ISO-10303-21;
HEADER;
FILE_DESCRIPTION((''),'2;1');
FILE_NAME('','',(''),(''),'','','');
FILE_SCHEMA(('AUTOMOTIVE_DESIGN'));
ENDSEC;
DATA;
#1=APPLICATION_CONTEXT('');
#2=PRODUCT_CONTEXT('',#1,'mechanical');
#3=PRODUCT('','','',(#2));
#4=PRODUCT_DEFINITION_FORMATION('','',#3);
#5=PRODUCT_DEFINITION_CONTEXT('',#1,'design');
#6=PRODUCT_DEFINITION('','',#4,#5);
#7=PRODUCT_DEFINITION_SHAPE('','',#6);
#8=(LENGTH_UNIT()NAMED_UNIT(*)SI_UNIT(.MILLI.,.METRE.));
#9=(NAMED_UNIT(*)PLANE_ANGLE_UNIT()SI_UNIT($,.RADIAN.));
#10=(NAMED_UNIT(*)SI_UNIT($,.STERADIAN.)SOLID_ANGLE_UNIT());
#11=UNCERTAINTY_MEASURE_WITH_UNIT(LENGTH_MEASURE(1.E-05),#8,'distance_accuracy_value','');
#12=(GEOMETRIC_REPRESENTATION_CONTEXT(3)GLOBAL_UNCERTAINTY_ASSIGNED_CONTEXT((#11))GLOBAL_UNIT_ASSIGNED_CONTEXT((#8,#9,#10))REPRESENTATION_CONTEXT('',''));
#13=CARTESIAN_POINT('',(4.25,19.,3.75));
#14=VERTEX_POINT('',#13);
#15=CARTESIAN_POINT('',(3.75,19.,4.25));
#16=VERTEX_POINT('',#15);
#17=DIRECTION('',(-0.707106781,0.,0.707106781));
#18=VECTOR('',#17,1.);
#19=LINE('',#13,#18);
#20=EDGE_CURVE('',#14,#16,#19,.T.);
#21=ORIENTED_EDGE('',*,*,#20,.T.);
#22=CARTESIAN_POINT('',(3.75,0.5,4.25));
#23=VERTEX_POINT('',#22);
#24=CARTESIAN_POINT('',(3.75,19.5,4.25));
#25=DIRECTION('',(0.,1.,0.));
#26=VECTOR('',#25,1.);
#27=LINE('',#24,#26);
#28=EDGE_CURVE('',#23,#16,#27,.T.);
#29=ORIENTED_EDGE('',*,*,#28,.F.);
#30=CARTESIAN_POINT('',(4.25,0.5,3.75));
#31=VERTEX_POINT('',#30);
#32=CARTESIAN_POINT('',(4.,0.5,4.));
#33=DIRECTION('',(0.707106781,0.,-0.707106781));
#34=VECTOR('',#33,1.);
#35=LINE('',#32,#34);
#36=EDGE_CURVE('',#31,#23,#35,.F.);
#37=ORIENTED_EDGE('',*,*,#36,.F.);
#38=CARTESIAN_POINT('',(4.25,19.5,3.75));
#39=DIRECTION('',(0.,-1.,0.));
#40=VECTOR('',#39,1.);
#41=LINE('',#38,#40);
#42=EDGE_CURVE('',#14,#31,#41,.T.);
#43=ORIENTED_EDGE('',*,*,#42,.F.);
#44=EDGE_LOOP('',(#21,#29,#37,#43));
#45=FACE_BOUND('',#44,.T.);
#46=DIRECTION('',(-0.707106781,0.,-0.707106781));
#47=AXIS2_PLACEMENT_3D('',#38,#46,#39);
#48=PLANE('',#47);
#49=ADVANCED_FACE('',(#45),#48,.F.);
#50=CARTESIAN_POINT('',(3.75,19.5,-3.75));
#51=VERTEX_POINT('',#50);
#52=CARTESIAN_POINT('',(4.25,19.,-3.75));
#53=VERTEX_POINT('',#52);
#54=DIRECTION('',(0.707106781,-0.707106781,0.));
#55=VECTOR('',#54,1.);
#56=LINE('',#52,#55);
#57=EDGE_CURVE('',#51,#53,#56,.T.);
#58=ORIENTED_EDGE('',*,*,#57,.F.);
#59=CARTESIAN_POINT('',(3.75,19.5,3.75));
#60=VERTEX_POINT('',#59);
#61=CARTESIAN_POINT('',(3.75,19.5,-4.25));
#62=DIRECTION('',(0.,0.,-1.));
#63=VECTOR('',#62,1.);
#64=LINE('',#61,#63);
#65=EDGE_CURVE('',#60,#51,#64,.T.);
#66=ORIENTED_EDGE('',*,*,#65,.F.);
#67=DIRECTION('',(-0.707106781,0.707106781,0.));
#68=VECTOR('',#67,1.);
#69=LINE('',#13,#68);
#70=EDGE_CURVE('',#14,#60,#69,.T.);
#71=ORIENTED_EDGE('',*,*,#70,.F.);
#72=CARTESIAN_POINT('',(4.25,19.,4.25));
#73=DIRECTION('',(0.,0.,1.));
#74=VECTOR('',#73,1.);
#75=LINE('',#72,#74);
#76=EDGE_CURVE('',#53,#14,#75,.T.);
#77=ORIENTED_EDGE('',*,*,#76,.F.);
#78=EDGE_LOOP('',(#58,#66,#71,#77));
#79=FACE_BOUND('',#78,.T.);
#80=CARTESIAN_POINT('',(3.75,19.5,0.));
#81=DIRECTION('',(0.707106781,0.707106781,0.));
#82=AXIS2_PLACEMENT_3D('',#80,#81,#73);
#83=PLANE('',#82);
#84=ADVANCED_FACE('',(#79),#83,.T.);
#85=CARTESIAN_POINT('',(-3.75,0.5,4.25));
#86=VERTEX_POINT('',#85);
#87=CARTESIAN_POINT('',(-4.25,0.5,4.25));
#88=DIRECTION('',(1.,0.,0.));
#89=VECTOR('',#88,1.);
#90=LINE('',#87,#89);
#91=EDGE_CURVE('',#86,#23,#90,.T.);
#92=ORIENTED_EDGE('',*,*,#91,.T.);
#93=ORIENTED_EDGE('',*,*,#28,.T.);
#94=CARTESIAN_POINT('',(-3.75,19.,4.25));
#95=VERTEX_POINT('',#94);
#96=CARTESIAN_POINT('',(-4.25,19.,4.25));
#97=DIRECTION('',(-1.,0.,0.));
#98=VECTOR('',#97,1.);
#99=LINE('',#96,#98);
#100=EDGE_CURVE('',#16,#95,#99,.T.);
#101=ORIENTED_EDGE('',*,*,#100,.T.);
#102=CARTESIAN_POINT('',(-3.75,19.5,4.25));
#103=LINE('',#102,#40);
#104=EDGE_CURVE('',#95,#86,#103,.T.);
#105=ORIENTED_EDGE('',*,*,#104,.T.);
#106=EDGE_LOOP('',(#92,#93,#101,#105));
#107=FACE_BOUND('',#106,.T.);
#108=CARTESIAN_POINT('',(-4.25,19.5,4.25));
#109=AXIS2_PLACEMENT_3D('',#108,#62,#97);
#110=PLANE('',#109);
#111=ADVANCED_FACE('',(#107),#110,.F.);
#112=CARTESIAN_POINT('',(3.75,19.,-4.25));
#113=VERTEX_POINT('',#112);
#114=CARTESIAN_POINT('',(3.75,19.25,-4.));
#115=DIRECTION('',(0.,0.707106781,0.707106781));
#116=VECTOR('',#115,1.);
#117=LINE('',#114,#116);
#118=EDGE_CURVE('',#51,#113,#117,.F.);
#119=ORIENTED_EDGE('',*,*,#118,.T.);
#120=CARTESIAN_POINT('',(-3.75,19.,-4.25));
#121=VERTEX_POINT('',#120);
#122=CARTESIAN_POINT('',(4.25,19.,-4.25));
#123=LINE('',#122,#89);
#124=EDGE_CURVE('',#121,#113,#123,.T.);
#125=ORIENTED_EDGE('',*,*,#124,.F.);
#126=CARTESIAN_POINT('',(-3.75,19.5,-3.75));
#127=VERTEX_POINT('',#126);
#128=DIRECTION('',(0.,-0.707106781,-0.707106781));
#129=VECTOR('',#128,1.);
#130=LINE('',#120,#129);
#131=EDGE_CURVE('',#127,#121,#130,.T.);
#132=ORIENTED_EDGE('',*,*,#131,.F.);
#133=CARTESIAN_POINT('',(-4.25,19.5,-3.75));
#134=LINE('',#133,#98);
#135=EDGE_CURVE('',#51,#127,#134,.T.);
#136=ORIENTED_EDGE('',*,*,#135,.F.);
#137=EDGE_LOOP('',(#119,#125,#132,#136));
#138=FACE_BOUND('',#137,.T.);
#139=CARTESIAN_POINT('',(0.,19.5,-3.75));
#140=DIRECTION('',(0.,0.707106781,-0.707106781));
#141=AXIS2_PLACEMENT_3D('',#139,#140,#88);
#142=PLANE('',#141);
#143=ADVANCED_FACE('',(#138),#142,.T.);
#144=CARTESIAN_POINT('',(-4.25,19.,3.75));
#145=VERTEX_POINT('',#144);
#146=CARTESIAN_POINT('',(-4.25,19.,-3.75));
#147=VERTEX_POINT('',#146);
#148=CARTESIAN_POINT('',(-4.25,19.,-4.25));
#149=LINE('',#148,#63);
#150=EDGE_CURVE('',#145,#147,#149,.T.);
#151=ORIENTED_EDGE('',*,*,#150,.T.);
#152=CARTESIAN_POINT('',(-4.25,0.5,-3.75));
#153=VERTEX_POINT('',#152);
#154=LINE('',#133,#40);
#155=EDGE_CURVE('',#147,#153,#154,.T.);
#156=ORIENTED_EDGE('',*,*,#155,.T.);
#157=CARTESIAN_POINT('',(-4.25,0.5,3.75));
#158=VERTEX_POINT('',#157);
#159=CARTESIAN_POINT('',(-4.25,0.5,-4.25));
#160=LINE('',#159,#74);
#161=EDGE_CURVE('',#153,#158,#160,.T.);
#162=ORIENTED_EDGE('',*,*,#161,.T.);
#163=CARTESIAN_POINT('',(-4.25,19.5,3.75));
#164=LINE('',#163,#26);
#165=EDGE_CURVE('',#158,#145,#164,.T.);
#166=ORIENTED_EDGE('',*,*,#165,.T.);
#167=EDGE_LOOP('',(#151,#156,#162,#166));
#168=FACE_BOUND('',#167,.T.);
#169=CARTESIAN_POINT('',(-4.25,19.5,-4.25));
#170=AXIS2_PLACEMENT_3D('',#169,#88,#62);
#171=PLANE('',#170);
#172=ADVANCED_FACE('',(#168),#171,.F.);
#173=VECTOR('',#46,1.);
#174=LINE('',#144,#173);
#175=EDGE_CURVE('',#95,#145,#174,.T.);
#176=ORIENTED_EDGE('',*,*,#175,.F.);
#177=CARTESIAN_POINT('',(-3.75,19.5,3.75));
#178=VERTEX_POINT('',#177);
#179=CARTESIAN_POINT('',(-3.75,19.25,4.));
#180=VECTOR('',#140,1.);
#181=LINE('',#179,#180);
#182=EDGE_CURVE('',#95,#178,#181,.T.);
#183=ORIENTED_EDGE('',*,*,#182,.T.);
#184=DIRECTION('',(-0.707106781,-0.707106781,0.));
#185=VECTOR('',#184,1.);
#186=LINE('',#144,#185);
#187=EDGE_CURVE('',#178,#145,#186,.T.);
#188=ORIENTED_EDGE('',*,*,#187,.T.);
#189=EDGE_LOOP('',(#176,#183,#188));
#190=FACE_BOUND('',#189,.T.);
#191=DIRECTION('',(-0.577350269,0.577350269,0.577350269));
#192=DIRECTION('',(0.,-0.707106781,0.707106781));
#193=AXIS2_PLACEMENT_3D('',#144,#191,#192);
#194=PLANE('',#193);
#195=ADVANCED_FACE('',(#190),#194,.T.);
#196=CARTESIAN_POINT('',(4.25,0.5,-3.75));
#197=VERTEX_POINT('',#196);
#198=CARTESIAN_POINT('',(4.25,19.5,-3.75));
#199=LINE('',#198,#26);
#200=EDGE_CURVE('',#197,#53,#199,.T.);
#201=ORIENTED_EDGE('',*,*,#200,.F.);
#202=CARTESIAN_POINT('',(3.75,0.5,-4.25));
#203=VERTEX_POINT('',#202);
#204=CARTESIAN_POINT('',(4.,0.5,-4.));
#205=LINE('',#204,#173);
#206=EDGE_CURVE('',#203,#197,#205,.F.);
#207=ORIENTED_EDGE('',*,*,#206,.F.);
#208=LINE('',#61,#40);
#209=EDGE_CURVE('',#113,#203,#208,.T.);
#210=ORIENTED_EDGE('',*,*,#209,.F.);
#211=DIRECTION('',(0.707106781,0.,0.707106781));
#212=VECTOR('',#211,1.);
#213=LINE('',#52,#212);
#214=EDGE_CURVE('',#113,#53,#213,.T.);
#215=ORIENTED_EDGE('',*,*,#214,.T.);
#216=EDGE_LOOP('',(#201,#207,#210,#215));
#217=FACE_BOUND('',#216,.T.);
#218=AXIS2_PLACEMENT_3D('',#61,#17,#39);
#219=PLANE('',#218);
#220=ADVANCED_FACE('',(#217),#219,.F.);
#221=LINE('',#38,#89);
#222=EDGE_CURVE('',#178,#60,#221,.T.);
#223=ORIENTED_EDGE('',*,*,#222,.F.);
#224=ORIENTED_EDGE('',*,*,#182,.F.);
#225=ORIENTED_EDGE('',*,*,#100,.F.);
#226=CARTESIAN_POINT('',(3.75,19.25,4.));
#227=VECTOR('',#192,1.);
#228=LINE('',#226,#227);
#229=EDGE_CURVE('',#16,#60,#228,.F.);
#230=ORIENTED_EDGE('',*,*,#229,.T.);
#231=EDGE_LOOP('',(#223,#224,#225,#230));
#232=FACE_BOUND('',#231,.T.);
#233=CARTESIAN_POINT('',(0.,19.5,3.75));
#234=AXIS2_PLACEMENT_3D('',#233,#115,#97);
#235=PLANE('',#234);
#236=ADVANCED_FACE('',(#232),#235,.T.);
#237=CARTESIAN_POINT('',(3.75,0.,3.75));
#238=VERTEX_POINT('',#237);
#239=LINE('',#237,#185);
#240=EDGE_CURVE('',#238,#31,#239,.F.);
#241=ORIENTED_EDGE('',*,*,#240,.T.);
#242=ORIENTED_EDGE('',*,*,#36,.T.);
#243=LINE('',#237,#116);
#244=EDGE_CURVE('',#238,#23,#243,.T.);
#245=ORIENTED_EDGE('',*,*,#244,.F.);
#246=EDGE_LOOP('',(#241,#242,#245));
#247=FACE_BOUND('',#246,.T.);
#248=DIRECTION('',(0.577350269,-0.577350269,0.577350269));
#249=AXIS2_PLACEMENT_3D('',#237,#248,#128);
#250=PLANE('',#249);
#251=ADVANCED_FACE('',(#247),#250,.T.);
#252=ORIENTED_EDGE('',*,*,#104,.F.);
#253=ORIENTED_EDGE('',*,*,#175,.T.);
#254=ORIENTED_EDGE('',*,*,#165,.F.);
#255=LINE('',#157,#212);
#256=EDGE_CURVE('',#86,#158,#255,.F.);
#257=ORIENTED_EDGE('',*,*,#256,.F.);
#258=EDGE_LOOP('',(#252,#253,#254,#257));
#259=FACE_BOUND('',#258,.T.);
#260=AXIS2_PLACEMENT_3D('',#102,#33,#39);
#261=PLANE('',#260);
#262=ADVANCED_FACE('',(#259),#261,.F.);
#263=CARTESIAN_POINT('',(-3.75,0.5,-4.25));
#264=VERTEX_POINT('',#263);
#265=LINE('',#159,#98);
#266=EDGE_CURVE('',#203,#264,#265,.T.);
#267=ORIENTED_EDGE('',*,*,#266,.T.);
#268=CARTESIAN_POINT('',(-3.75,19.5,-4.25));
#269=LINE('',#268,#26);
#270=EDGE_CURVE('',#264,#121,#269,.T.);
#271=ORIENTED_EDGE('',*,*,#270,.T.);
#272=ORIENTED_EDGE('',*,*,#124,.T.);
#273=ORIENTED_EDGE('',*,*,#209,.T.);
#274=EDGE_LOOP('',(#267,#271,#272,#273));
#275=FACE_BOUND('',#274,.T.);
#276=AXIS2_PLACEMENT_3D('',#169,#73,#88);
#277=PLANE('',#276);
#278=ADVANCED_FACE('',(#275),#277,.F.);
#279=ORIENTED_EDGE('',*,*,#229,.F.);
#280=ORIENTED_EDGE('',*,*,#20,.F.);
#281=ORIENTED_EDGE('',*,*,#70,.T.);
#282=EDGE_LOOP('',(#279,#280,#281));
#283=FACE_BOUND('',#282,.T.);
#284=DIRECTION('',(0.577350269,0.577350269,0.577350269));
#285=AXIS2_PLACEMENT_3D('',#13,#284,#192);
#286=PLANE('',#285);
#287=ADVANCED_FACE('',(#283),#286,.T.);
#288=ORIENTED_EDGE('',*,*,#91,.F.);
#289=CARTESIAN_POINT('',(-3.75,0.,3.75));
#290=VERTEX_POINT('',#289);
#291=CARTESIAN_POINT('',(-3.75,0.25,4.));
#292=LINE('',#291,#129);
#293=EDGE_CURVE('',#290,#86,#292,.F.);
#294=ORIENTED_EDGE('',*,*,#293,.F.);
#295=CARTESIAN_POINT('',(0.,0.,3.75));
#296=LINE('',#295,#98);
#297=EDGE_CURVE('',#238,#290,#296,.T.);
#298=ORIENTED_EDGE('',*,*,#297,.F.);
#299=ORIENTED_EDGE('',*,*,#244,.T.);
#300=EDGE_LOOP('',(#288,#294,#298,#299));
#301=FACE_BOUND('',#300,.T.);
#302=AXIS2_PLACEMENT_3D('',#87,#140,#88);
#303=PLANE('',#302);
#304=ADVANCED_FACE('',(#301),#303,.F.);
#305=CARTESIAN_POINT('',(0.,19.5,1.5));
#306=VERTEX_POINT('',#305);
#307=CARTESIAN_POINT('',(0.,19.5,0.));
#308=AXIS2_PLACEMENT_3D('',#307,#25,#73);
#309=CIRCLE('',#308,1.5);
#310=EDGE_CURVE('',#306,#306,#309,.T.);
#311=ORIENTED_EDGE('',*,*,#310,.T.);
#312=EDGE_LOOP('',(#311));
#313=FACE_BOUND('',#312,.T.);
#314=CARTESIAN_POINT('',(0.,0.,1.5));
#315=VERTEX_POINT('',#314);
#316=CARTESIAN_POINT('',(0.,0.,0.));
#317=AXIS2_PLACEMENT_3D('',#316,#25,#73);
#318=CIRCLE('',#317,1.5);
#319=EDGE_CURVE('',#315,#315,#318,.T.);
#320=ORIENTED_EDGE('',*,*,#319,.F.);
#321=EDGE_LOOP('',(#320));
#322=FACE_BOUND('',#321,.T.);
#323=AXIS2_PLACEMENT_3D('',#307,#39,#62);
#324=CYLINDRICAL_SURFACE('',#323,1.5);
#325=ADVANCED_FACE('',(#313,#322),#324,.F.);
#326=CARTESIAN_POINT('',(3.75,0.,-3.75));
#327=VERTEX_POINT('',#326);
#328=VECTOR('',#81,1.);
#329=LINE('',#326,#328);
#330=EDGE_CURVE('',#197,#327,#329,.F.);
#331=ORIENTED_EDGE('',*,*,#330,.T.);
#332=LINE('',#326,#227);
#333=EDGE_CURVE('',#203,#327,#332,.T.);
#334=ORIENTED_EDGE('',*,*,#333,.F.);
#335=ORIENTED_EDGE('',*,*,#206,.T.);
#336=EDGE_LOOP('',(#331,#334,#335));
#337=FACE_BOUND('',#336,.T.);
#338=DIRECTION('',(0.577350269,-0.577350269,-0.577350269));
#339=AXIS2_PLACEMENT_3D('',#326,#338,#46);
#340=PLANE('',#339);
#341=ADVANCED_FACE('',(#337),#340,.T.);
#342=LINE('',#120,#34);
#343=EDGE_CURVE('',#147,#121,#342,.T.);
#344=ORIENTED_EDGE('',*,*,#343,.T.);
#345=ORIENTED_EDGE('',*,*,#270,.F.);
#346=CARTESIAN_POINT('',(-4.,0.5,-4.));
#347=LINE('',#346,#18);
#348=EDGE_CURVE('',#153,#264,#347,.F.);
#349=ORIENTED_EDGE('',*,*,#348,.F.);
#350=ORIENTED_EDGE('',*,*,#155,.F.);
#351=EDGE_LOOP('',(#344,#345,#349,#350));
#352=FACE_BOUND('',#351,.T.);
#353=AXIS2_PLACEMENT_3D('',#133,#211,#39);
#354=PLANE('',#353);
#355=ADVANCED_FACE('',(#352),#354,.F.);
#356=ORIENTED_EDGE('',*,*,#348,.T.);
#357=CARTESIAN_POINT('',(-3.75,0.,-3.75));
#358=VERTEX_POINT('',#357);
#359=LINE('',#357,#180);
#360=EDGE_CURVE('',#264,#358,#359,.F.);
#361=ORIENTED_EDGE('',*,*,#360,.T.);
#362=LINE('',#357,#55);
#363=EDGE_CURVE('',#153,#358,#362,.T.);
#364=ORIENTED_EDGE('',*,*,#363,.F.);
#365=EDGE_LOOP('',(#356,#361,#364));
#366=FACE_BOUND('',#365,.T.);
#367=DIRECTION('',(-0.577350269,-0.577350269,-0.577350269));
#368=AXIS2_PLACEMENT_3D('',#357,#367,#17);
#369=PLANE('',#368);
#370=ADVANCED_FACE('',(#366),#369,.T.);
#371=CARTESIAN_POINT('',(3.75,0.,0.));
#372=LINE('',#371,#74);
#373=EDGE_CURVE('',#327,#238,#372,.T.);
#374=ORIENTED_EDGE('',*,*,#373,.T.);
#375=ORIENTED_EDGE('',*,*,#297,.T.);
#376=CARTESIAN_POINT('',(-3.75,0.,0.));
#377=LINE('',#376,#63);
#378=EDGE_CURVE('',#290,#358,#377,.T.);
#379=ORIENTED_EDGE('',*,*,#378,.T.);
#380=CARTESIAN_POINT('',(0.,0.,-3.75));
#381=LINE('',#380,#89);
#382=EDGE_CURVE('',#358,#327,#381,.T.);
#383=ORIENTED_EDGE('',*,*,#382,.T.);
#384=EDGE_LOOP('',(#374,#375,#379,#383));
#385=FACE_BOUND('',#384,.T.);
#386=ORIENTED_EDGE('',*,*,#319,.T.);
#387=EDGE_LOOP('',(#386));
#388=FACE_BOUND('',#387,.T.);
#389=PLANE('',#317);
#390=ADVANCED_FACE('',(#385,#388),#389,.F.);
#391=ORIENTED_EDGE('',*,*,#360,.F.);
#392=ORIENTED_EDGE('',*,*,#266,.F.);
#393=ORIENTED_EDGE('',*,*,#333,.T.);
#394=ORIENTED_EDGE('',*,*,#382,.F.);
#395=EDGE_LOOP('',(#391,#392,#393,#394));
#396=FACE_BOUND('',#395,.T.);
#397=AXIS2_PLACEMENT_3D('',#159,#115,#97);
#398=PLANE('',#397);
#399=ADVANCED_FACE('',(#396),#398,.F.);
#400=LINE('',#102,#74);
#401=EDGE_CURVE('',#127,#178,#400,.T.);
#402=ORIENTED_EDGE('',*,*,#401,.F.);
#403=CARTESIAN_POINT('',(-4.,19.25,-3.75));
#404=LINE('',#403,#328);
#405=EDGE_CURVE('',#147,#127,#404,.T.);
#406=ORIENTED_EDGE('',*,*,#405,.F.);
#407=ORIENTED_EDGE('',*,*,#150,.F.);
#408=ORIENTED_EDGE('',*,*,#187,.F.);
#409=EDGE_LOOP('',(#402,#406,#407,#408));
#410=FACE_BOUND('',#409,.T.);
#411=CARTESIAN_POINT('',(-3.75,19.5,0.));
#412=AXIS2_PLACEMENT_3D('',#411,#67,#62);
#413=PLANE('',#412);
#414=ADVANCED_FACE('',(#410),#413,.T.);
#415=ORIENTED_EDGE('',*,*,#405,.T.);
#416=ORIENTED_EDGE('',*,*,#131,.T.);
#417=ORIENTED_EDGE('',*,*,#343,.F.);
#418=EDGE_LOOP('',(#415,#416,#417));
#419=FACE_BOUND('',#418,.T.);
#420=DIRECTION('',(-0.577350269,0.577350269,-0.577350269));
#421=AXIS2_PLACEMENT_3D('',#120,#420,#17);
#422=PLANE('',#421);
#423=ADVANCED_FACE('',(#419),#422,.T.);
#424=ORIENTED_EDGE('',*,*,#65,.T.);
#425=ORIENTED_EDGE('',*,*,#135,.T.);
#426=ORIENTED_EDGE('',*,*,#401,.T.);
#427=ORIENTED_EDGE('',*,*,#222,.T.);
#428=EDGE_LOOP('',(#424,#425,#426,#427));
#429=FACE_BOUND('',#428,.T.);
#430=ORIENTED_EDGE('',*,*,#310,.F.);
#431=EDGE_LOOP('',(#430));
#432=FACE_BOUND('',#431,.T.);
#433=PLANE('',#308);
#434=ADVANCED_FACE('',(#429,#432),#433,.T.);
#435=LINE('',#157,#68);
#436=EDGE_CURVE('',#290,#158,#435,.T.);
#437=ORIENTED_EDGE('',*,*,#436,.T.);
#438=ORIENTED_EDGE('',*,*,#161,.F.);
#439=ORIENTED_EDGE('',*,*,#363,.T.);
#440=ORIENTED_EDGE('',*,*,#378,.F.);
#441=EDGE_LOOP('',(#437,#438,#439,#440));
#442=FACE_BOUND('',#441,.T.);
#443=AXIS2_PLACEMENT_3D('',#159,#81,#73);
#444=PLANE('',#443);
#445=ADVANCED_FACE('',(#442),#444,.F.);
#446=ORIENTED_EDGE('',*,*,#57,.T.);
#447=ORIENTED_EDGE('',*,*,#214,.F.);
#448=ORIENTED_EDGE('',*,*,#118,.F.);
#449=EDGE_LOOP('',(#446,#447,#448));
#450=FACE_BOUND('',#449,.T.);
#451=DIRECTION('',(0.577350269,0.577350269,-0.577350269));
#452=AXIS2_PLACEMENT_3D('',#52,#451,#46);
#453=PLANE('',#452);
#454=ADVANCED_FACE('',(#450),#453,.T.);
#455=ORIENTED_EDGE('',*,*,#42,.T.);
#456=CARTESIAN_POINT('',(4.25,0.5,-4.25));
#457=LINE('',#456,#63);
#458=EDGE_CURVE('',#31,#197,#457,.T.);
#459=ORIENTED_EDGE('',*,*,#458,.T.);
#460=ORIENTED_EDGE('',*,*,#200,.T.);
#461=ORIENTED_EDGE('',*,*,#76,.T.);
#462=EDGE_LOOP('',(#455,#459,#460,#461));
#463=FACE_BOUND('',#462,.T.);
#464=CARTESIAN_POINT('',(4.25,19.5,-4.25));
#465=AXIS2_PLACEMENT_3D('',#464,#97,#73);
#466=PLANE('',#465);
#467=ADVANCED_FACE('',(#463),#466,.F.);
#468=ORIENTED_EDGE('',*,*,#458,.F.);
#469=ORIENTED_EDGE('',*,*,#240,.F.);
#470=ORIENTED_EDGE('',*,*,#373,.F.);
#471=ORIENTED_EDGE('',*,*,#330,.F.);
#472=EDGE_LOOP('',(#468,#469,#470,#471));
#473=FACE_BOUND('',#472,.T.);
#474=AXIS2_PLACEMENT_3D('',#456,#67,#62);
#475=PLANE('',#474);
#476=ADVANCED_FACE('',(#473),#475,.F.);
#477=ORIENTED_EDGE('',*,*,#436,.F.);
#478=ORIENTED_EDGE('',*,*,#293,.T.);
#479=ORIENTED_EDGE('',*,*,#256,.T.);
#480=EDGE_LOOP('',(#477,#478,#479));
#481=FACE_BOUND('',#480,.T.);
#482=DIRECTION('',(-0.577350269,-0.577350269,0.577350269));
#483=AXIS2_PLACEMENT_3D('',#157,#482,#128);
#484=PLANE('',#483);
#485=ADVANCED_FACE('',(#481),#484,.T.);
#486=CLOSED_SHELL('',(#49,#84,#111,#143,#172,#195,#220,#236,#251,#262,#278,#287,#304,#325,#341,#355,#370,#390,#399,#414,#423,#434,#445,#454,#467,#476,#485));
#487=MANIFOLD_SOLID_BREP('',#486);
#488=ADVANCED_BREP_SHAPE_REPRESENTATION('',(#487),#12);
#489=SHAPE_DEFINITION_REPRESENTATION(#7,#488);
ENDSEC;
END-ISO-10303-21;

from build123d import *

# Parameters (mm, degrees)
SKETCH1_W           = 8.5
SKETCH1_H           = 8.5
SKETCH1_R           = 1.5
BOSS_EXTRUDE1_DEPTH = 19.5
CHAMFER1_SIZE       = 0.5


with BuildPart() as part:
    # Sketch1 → Boss-Extrude1 (new body)
    with BuildSketch(Plane(origin=(0, 0, 0), x_dir=(1, 0, 0), z_dir=(0, 1, 0))):
        Rectangle(SKETCH1_W, SKETCH1_H)
        with Locations(Location((0, 0, 0), (0, 0, 270))):
            Circle(SKETCH1_R, mode=Mode.SUBTRACT)
    extrude(amount=BOSS_EXTRUDE1_DEPTH)

    # Chamfer1
    chamfer1_edges = [part.edges().sort_by_distance(p)[0] for p in [
        (-4.25, 19.5, 0),
        (0, 19.5, 4.25),
        (4.25, 19.5, 0),
        (0, 0, 4.25),
        (-4.25, 0, 0),
        (0, 0, -4.25),
        (4.25, 0, 0),
        (4.25, 9.75, 4.25),
        (-4.25, 9.75, 4.25),
        (-4.25, 9.75, -4.25),
        (4.25, 9.75, -4.25),
        (0, 19.5, -4.25),
    ]]
    chamfer(chamfer1_edges, length=CHAMFER1_SIZE)


solid = part.part
